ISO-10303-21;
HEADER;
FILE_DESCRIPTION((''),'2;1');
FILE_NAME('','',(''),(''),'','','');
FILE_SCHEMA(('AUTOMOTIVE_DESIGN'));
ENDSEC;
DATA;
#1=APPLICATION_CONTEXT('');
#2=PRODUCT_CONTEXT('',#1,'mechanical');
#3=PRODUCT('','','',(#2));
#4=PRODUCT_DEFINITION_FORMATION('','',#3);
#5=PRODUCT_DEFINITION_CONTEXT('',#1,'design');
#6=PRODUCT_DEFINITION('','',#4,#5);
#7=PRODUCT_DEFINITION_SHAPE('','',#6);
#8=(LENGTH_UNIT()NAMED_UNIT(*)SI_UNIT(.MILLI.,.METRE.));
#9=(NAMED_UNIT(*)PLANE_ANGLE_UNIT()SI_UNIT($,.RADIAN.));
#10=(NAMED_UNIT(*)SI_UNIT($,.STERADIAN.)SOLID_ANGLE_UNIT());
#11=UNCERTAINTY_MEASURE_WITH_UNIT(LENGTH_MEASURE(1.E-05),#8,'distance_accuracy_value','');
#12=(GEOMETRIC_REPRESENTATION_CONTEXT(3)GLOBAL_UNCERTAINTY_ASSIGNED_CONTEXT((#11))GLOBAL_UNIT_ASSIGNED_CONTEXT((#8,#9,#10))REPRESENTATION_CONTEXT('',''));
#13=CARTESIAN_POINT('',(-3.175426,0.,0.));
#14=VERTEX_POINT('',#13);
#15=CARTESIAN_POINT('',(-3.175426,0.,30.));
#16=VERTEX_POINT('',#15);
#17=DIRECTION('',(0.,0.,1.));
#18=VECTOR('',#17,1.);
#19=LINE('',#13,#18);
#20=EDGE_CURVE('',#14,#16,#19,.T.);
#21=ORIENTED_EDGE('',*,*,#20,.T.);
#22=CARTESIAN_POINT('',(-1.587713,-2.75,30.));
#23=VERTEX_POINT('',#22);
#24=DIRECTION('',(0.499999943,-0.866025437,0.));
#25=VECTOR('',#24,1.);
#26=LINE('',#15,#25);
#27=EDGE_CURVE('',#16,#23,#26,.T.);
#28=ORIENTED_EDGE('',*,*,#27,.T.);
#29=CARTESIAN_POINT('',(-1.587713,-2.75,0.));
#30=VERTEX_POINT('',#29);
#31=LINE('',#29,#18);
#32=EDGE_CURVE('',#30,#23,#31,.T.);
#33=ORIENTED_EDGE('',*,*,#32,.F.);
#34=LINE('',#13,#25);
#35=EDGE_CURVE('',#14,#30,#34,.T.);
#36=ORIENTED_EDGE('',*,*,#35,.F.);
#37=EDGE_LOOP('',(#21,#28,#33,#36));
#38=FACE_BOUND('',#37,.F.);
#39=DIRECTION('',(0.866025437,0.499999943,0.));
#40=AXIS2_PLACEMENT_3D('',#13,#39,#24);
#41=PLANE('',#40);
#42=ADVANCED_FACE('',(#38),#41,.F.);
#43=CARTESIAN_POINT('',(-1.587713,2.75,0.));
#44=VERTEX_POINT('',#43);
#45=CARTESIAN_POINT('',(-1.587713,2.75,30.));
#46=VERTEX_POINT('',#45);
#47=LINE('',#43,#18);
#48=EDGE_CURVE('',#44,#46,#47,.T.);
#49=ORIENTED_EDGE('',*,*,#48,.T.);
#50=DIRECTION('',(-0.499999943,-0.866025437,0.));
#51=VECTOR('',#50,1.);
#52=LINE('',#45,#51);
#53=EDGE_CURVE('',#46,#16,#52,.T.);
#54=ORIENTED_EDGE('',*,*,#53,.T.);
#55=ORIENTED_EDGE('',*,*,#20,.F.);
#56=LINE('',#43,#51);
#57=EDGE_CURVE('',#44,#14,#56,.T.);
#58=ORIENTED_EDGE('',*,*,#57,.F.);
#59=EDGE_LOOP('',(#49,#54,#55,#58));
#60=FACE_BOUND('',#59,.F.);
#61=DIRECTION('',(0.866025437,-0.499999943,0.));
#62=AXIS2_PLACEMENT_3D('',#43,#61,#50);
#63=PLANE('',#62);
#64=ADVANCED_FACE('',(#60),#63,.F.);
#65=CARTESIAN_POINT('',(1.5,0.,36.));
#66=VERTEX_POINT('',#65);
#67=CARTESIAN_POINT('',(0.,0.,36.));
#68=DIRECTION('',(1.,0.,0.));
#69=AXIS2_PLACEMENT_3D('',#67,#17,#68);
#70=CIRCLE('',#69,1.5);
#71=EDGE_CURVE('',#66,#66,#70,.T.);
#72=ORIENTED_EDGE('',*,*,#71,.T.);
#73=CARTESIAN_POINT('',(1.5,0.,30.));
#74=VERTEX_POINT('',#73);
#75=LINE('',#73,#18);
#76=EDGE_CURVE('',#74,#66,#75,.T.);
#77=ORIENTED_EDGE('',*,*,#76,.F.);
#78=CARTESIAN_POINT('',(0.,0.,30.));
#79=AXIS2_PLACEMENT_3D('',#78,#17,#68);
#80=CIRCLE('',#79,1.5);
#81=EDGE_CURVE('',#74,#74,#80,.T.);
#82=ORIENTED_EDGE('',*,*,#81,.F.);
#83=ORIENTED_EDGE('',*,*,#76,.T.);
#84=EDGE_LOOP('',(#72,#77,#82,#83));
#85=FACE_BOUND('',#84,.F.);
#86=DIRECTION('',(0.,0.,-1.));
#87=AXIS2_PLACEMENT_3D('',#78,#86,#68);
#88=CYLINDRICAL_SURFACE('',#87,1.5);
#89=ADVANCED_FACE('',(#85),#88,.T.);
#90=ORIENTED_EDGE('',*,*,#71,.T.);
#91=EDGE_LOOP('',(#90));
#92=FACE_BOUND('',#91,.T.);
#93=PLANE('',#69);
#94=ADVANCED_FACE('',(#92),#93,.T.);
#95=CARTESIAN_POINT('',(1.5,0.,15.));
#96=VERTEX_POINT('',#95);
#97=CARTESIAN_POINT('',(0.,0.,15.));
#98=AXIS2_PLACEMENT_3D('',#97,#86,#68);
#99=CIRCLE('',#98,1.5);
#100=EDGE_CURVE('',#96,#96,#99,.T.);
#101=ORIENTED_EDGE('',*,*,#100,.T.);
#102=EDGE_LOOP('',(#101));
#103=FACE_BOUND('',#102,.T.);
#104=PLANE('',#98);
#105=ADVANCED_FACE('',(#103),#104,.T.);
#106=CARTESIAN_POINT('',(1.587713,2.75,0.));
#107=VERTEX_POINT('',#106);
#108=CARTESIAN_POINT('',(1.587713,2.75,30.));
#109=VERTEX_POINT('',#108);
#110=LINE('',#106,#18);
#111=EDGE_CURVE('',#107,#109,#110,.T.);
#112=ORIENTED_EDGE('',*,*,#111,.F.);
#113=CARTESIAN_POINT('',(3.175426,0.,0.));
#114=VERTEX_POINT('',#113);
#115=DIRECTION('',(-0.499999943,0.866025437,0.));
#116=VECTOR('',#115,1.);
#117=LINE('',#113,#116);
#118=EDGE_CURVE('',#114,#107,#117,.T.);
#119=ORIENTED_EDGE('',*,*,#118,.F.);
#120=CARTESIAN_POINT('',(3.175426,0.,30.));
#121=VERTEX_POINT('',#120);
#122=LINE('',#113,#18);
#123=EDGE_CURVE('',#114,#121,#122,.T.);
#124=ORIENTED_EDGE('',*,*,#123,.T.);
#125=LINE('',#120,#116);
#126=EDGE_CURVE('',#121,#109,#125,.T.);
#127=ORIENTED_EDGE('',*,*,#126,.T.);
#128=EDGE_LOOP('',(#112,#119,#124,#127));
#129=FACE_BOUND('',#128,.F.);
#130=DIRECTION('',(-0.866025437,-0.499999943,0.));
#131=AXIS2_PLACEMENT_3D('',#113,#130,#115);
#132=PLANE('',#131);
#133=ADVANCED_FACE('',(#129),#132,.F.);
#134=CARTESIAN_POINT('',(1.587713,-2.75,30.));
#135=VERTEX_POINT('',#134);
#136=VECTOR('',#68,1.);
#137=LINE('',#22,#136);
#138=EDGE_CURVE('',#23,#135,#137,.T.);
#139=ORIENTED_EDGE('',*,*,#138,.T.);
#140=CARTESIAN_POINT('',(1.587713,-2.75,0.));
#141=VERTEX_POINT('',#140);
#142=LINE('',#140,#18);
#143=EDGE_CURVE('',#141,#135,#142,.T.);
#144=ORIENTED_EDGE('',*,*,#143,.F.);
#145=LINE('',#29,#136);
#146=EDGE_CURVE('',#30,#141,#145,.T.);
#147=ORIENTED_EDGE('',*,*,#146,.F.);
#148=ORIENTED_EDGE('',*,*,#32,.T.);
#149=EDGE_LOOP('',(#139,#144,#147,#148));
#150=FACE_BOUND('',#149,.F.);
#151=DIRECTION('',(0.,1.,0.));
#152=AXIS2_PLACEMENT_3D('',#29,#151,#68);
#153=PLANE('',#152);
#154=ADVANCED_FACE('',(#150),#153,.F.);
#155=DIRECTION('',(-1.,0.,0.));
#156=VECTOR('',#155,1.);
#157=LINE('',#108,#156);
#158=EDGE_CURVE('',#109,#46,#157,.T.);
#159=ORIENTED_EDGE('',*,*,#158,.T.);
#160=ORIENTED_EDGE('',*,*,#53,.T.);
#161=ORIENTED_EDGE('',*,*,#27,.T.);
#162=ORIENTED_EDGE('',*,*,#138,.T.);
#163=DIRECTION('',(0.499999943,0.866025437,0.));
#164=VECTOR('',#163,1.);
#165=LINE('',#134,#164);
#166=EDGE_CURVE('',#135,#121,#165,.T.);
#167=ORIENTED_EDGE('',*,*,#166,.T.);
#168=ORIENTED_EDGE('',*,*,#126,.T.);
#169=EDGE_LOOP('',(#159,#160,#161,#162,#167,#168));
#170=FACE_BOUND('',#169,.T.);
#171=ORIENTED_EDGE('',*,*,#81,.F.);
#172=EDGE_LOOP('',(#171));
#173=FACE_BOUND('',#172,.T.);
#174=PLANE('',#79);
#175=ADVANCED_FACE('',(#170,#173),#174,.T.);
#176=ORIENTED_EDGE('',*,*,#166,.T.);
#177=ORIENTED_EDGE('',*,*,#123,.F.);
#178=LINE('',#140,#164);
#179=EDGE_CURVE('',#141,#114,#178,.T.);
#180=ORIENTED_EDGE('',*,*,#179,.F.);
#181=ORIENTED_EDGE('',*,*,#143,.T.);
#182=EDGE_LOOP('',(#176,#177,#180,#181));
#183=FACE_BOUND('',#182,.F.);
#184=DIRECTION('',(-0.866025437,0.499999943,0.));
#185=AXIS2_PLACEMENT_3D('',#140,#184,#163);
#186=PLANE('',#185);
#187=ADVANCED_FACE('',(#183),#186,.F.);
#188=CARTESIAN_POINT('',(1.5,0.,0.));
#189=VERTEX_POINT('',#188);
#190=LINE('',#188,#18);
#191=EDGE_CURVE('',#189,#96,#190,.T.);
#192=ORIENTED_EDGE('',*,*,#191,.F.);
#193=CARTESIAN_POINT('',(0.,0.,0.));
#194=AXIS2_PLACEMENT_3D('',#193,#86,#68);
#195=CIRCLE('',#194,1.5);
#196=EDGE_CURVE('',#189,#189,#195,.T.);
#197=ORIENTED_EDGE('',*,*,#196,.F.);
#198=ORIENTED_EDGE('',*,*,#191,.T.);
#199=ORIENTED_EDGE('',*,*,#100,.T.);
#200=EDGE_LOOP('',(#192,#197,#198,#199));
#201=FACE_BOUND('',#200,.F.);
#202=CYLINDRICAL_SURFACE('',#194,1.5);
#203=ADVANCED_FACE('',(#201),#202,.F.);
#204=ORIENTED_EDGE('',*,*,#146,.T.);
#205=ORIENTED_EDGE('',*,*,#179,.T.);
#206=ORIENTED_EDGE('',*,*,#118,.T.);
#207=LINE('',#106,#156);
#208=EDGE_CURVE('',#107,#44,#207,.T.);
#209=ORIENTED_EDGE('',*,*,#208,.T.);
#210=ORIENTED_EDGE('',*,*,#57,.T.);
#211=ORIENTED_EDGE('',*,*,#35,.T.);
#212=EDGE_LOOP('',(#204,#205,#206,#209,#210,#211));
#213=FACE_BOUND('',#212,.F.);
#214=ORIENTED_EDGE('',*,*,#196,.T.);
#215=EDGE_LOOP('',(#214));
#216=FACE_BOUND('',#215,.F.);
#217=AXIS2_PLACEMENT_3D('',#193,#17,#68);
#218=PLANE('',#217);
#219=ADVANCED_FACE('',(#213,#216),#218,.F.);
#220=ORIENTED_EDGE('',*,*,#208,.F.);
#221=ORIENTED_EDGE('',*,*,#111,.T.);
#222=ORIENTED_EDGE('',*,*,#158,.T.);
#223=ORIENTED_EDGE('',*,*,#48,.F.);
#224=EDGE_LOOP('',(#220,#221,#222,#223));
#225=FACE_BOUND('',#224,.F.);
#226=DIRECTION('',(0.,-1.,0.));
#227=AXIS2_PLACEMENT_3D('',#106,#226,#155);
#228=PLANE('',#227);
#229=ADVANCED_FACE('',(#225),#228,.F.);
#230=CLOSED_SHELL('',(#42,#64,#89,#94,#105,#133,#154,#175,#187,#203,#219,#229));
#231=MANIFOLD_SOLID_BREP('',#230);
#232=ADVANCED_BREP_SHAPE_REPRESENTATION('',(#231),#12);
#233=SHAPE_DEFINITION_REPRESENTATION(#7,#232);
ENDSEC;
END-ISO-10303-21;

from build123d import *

# Parameters (mm, degrees)
PAD_DEPTH    = 30
SKETCH001_R  = 1.5
PAD001_DEPTH = 6
SKETCH002_R  = 1.5
POCKET_DEPTH = 15


with BuildPart() as part:
    # Sketch → Pad (new body)
    with BuildSketch(Plane.XY):
        Polygon((1.587713, -2.75), (3.175426, 0), (1.587713, 2.75), (-1.587713, 2.75), (-3.175426, 0), (-1.587713, -2.75), align=None)
    extrude(amount=PAD_DEPTH)

    # Sketch001 (on Face8 of Pad) → Pad001 (join)
    with BuildSketch(Plane.XY.offset(30)):
        Circle(SKETCH001_R)
    extrude(amount=PAD001_DEPTH)

    # Sketch002 (on Face4 of Pad001) → Pocket (cut)
    with BuildSketch(Plane(origin=(0, 0, 0), x_dir=(1, 0, 0), z_dir=(0, 0, -1))):
        Circle(SKETCH002_R)
    extrude(amount=-POCKET_DEPTH, mode=Mode.SUBTRACT)


solid = part.part
